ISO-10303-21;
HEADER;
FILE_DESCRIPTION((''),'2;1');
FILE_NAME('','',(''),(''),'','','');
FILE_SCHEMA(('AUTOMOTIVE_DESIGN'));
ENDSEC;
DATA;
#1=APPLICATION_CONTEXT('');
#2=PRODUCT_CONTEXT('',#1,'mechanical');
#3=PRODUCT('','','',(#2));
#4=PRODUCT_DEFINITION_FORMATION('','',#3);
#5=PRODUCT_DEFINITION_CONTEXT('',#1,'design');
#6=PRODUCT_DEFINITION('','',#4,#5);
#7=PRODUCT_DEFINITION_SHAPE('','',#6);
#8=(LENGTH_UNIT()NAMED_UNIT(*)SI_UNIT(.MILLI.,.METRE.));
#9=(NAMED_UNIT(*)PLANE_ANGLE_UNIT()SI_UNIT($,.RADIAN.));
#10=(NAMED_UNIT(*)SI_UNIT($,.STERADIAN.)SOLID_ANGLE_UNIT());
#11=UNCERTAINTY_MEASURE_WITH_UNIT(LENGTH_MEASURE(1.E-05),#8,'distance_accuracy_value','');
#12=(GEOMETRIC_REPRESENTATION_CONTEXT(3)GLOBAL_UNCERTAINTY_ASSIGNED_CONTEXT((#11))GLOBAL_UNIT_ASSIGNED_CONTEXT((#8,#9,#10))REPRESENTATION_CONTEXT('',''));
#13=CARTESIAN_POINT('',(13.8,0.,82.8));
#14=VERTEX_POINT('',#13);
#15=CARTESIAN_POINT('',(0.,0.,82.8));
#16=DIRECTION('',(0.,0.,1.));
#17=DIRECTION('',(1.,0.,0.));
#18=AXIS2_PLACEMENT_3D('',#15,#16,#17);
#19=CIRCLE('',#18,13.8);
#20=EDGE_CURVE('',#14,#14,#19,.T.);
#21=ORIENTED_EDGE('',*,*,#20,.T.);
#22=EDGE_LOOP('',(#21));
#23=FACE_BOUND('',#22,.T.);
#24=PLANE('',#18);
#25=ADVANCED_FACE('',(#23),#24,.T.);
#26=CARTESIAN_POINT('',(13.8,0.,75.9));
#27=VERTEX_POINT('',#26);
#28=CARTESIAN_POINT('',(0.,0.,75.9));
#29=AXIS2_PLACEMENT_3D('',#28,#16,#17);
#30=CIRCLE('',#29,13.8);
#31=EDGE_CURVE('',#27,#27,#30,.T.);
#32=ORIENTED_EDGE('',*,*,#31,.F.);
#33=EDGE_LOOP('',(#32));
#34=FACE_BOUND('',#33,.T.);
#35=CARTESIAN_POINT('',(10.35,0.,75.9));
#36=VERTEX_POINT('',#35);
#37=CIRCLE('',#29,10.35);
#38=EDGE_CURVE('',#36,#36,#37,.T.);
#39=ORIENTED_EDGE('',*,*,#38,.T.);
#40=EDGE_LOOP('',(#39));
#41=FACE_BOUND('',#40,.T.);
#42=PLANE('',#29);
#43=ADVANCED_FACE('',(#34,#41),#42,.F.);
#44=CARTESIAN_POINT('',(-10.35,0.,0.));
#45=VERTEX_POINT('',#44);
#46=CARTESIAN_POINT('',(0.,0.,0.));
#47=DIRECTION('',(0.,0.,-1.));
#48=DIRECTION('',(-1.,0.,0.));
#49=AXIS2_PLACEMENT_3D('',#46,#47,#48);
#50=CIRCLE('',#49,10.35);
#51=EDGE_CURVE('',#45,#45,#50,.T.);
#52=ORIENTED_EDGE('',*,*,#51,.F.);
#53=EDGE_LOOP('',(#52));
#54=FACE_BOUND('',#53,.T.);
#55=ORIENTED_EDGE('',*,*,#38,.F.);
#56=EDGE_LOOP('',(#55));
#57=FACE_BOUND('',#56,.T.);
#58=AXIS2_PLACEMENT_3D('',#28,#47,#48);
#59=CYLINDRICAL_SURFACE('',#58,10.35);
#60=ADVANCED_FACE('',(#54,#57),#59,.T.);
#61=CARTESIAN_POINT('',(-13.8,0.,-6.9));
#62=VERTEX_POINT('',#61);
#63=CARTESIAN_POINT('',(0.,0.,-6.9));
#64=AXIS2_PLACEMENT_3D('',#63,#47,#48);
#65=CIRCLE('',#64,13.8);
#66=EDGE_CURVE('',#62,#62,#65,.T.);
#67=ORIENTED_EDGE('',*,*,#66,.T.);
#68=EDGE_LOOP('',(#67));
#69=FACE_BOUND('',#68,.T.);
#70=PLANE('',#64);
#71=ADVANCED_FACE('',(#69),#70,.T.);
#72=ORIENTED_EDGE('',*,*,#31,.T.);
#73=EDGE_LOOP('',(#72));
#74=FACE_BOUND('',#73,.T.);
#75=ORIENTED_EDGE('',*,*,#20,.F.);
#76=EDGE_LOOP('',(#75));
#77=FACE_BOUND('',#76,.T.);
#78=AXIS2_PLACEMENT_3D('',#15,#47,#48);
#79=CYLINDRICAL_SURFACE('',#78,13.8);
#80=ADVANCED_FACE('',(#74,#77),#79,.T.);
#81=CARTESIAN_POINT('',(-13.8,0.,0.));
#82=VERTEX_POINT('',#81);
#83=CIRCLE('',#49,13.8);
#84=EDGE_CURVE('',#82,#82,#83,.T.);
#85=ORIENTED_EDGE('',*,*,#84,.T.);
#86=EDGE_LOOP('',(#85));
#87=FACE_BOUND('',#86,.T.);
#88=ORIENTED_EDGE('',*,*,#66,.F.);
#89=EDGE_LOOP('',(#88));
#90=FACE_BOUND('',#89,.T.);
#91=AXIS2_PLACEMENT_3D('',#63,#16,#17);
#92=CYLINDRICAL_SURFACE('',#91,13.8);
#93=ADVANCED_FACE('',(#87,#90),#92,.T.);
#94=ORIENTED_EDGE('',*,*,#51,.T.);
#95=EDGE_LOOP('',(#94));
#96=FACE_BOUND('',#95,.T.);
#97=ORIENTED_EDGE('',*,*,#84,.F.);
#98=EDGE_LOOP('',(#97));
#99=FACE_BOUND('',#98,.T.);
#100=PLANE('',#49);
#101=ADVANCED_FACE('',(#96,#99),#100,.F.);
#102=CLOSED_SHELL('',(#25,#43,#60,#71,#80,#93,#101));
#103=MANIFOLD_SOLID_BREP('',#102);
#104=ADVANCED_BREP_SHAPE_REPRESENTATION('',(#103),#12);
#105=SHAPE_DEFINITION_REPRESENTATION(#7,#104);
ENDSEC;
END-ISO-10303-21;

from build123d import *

# Parameters (mm, degrees)
SKETCH_1_R      = 30
EXTRUDE_1_DEPTH = 220
SKETCH_2_R      = 40
EXTRUDE_2_DEPTH = 20
EXTRUDE_START   = 20
SKETCH_3_R      = 40
EXTRUDE_3_DEPTH = 20
SCALE_1_SCALE   = 0.345


with BuildPart() as part:
    # 草图1 → 凸台-拉伸1 (new body)
    with BuildSketch(Plane.XY):
        Circle(SKETCH_1_R)
    extrude(amount=EXTRUDE_1_DEPTH)

    # 草图2 → 凸台-拉伸2 (add)
    with BuildSketch(Plane.XY.offset(220)):
        Circle(SKETCH_2_R)
    extrude(amount=EXTRUDE_2_DEPTH)

    # 草图3 → 凸台-拉伸3 (add)
    with BuildSketch(Plane(origin=(0, 0, 0), x_dir=(-1, 0, 0), z_dir=(0, 0, -1)).offset(EXTRUDE_START)):
        with Locations(Location((0, 0, 0), (0, 0, 180))):
            Circle(SKETCH_3_R)
    extrude(amount=-EXTRUDE_3_DEPTH)


with BuildPart() as part_1:
    # 缩放比例1: scaled about (0, 0, 0)
    add(part.part.scale(SCALE_1_SCALE))


solid = part_1.part
